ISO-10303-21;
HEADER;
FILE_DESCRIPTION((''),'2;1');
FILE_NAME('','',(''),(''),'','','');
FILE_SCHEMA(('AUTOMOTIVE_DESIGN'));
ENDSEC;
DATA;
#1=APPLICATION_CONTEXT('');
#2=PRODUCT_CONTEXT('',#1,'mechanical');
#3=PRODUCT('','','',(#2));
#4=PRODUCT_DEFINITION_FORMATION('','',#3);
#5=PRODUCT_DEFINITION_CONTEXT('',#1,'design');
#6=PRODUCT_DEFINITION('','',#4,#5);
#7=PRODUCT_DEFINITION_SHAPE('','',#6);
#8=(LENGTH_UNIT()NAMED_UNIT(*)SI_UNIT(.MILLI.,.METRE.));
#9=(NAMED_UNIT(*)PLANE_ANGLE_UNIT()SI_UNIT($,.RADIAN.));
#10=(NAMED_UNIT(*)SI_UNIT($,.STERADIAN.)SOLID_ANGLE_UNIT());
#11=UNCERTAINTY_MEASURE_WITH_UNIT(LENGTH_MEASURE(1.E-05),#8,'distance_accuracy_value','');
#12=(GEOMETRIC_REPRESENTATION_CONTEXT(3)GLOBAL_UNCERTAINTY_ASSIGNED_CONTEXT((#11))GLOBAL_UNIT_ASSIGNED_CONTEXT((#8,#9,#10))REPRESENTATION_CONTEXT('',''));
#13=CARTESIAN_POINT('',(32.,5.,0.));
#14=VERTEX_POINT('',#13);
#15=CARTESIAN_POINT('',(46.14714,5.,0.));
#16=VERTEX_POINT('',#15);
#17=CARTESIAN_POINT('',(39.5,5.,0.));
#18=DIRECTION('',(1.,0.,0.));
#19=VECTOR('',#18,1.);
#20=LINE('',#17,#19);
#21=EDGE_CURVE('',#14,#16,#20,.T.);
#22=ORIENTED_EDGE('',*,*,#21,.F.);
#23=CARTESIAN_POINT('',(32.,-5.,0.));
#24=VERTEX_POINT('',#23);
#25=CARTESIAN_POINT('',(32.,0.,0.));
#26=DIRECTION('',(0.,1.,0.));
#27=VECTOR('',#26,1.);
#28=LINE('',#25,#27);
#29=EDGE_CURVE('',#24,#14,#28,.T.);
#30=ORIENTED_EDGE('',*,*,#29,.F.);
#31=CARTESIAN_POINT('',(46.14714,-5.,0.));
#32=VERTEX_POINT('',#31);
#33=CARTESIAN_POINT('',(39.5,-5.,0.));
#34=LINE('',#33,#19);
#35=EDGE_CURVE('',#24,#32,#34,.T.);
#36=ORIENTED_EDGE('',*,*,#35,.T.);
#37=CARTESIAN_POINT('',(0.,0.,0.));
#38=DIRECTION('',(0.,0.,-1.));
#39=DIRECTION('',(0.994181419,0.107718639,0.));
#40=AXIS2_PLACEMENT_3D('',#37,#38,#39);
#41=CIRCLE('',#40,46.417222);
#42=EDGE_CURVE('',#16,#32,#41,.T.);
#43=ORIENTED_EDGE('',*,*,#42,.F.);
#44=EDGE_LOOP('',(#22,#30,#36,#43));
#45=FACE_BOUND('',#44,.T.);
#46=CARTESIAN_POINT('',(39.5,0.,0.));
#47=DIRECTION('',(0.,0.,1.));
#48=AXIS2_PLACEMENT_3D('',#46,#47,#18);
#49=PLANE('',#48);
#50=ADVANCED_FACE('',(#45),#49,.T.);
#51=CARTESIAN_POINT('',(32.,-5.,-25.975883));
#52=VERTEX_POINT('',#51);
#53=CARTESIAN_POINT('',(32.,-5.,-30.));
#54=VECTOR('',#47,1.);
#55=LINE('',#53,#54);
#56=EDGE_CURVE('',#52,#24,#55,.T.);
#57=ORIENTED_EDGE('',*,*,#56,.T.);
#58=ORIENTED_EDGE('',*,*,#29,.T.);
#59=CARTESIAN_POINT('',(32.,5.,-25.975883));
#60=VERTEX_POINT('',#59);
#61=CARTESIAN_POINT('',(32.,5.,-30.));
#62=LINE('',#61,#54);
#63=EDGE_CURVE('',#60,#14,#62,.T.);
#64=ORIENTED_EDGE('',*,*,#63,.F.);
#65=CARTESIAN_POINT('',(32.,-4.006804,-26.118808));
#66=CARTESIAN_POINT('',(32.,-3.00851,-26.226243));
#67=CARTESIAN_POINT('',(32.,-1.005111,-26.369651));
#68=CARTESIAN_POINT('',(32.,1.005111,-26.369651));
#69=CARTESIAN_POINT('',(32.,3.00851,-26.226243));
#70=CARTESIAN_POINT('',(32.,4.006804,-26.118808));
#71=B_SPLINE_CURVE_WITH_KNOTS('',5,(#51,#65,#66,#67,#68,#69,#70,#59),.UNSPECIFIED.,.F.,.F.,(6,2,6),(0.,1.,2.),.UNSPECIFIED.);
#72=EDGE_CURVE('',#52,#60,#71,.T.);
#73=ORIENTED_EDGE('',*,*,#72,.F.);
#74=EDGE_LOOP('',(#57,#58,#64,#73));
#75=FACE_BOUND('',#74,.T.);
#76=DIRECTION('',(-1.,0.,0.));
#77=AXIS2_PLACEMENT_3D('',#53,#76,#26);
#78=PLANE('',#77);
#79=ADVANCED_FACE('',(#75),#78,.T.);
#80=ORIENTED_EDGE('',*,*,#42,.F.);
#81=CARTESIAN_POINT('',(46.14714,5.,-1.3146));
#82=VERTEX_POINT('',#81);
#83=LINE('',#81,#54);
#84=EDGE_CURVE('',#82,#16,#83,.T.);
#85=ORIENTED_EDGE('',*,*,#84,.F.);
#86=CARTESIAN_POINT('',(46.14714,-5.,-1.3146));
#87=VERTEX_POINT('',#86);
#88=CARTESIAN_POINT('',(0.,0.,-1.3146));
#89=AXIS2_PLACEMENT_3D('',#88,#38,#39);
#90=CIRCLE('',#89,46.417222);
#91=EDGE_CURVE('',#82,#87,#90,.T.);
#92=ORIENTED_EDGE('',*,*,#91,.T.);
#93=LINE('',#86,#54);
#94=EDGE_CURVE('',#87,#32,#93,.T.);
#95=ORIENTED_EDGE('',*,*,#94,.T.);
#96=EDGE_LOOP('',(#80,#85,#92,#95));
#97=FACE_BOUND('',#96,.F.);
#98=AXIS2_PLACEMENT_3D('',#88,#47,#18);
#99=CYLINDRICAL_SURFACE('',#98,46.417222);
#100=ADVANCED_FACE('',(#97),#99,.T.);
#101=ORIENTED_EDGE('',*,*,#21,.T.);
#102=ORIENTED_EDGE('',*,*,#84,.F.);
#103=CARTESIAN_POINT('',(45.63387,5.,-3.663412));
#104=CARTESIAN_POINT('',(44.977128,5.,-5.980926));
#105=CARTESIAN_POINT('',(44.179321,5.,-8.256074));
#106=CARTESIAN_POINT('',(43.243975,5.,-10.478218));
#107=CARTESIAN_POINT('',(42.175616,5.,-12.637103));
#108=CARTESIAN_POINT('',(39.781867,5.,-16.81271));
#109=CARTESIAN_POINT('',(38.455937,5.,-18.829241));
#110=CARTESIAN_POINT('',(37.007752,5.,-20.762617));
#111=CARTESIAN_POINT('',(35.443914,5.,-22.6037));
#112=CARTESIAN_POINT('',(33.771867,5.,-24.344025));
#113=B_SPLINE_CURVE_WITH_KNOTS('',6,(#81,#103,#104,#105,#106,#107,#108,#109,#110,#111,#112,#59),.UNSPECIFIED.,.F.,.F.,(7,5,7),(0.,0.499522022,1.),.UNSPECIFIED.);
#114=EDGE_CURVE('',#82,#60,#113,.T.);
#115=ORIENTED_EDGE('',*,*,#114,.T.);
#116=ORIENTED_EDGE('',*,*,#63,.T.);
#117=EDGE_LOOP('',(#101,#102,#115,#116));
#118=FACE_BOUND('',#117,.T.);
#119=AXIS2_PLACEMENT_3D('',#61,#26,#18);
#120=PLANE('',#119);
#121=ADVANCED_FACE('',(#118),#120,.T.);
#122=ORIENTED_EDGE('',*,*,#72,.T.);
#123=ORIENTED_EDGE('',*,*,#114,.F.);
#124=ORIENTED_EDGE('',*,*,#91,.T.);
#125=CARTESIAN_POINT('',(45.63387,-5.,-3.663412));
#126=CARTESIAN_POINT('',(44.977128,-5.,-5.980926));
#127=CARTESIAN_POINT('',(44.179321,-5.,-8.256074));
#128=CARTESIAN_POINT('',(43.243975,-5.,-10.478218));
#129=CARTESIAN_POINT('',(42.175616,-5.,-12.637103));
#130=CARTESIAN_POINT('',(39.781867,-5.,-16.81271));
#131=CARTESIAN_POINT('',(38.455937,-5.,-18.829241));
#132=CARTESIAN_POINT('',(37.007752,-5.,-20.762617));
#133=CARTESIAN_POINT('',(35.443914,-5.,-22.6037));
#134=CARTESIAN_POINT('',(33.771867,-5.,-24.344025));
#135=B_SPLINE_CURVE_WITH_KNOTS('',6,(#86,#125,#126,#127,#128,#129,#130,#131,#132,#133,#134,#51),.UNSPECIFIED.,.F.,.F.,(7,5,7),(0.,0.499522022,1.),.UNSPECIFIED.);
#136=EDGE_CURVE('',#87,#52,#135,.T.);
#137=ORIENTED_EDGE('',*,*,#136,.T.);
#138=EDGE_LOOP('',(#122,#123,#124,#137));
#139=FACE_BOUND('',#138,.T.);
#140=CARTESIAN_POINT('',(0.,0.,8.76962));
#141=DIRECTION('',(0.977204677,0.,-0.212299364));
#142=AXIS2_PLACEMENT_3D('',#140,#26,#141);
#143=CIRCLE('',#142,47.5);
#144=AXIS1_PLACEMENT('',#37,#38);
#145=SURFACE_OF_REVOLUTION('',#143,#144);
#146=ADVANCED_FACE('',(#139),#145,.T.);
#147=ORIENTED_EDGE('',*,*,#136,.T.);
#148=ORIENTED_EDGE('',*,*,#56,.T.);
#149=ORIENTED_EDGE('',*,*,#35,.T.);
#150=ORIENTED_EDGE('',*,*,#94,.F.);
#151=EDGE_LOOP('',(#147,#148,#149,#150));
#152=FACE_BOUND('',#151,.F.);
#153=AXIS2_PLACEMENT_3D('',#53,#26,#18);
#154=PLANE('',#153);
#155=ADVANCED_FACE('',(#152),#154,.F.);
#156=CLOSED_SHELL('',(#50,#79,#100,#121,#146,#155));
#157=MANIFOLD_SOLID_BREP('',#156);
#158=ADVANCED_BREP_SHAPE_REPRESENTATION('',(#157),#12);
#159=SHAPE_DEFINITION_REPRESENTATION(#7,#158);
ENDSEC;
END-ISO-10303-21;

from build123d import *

# Parameters (mm, degrees)
BOX_W     = 15
BOX_H     = 10
BOX_DEPTH = 30


with BuildPart() as cubo:
    # Box → Box (new body)
    with BuildSketch(Plane(origin=(32, -5, -30), x_dir=(1, 0, 0), z_dir=(0, 0, 1))):
        with Locations((7.5, 5)):
            Rectangle(BOX_W, BOX_H)
    extrude(amount=BOX_DEPTH)


with BuildPart() as soporte:
    # Sketch001 → Revolution001 (revolve)
    with BuildSketch(Plane(origin=(0, 0, 0), x_dir=(1, 0, 0), z_dir=(0, 1, 0))):
        with BuildLine():
            Line((20, 50.804604), (20, 34.3146))
            ThreePointArc((46.417222, 1.3146), (37.081826, 20.915194), (20, 34.3146))
            Line((46.417222, 1.3146), (46.417222, -11.6854))
            Line((46.417222, -11.6854), (0, -11.6854))
            Line((0, 50.804604), (0, -11.6854))
            Line((20, 50.804604), (0, 50.804604))
        make_face()
    revolve(axis=Axis((0, 0, 0), (0, 0, -1)))

    # Common: intersect Cubo
    add(cubo.part, mode=Mode.INTERSECT)


solid = soporte.part
